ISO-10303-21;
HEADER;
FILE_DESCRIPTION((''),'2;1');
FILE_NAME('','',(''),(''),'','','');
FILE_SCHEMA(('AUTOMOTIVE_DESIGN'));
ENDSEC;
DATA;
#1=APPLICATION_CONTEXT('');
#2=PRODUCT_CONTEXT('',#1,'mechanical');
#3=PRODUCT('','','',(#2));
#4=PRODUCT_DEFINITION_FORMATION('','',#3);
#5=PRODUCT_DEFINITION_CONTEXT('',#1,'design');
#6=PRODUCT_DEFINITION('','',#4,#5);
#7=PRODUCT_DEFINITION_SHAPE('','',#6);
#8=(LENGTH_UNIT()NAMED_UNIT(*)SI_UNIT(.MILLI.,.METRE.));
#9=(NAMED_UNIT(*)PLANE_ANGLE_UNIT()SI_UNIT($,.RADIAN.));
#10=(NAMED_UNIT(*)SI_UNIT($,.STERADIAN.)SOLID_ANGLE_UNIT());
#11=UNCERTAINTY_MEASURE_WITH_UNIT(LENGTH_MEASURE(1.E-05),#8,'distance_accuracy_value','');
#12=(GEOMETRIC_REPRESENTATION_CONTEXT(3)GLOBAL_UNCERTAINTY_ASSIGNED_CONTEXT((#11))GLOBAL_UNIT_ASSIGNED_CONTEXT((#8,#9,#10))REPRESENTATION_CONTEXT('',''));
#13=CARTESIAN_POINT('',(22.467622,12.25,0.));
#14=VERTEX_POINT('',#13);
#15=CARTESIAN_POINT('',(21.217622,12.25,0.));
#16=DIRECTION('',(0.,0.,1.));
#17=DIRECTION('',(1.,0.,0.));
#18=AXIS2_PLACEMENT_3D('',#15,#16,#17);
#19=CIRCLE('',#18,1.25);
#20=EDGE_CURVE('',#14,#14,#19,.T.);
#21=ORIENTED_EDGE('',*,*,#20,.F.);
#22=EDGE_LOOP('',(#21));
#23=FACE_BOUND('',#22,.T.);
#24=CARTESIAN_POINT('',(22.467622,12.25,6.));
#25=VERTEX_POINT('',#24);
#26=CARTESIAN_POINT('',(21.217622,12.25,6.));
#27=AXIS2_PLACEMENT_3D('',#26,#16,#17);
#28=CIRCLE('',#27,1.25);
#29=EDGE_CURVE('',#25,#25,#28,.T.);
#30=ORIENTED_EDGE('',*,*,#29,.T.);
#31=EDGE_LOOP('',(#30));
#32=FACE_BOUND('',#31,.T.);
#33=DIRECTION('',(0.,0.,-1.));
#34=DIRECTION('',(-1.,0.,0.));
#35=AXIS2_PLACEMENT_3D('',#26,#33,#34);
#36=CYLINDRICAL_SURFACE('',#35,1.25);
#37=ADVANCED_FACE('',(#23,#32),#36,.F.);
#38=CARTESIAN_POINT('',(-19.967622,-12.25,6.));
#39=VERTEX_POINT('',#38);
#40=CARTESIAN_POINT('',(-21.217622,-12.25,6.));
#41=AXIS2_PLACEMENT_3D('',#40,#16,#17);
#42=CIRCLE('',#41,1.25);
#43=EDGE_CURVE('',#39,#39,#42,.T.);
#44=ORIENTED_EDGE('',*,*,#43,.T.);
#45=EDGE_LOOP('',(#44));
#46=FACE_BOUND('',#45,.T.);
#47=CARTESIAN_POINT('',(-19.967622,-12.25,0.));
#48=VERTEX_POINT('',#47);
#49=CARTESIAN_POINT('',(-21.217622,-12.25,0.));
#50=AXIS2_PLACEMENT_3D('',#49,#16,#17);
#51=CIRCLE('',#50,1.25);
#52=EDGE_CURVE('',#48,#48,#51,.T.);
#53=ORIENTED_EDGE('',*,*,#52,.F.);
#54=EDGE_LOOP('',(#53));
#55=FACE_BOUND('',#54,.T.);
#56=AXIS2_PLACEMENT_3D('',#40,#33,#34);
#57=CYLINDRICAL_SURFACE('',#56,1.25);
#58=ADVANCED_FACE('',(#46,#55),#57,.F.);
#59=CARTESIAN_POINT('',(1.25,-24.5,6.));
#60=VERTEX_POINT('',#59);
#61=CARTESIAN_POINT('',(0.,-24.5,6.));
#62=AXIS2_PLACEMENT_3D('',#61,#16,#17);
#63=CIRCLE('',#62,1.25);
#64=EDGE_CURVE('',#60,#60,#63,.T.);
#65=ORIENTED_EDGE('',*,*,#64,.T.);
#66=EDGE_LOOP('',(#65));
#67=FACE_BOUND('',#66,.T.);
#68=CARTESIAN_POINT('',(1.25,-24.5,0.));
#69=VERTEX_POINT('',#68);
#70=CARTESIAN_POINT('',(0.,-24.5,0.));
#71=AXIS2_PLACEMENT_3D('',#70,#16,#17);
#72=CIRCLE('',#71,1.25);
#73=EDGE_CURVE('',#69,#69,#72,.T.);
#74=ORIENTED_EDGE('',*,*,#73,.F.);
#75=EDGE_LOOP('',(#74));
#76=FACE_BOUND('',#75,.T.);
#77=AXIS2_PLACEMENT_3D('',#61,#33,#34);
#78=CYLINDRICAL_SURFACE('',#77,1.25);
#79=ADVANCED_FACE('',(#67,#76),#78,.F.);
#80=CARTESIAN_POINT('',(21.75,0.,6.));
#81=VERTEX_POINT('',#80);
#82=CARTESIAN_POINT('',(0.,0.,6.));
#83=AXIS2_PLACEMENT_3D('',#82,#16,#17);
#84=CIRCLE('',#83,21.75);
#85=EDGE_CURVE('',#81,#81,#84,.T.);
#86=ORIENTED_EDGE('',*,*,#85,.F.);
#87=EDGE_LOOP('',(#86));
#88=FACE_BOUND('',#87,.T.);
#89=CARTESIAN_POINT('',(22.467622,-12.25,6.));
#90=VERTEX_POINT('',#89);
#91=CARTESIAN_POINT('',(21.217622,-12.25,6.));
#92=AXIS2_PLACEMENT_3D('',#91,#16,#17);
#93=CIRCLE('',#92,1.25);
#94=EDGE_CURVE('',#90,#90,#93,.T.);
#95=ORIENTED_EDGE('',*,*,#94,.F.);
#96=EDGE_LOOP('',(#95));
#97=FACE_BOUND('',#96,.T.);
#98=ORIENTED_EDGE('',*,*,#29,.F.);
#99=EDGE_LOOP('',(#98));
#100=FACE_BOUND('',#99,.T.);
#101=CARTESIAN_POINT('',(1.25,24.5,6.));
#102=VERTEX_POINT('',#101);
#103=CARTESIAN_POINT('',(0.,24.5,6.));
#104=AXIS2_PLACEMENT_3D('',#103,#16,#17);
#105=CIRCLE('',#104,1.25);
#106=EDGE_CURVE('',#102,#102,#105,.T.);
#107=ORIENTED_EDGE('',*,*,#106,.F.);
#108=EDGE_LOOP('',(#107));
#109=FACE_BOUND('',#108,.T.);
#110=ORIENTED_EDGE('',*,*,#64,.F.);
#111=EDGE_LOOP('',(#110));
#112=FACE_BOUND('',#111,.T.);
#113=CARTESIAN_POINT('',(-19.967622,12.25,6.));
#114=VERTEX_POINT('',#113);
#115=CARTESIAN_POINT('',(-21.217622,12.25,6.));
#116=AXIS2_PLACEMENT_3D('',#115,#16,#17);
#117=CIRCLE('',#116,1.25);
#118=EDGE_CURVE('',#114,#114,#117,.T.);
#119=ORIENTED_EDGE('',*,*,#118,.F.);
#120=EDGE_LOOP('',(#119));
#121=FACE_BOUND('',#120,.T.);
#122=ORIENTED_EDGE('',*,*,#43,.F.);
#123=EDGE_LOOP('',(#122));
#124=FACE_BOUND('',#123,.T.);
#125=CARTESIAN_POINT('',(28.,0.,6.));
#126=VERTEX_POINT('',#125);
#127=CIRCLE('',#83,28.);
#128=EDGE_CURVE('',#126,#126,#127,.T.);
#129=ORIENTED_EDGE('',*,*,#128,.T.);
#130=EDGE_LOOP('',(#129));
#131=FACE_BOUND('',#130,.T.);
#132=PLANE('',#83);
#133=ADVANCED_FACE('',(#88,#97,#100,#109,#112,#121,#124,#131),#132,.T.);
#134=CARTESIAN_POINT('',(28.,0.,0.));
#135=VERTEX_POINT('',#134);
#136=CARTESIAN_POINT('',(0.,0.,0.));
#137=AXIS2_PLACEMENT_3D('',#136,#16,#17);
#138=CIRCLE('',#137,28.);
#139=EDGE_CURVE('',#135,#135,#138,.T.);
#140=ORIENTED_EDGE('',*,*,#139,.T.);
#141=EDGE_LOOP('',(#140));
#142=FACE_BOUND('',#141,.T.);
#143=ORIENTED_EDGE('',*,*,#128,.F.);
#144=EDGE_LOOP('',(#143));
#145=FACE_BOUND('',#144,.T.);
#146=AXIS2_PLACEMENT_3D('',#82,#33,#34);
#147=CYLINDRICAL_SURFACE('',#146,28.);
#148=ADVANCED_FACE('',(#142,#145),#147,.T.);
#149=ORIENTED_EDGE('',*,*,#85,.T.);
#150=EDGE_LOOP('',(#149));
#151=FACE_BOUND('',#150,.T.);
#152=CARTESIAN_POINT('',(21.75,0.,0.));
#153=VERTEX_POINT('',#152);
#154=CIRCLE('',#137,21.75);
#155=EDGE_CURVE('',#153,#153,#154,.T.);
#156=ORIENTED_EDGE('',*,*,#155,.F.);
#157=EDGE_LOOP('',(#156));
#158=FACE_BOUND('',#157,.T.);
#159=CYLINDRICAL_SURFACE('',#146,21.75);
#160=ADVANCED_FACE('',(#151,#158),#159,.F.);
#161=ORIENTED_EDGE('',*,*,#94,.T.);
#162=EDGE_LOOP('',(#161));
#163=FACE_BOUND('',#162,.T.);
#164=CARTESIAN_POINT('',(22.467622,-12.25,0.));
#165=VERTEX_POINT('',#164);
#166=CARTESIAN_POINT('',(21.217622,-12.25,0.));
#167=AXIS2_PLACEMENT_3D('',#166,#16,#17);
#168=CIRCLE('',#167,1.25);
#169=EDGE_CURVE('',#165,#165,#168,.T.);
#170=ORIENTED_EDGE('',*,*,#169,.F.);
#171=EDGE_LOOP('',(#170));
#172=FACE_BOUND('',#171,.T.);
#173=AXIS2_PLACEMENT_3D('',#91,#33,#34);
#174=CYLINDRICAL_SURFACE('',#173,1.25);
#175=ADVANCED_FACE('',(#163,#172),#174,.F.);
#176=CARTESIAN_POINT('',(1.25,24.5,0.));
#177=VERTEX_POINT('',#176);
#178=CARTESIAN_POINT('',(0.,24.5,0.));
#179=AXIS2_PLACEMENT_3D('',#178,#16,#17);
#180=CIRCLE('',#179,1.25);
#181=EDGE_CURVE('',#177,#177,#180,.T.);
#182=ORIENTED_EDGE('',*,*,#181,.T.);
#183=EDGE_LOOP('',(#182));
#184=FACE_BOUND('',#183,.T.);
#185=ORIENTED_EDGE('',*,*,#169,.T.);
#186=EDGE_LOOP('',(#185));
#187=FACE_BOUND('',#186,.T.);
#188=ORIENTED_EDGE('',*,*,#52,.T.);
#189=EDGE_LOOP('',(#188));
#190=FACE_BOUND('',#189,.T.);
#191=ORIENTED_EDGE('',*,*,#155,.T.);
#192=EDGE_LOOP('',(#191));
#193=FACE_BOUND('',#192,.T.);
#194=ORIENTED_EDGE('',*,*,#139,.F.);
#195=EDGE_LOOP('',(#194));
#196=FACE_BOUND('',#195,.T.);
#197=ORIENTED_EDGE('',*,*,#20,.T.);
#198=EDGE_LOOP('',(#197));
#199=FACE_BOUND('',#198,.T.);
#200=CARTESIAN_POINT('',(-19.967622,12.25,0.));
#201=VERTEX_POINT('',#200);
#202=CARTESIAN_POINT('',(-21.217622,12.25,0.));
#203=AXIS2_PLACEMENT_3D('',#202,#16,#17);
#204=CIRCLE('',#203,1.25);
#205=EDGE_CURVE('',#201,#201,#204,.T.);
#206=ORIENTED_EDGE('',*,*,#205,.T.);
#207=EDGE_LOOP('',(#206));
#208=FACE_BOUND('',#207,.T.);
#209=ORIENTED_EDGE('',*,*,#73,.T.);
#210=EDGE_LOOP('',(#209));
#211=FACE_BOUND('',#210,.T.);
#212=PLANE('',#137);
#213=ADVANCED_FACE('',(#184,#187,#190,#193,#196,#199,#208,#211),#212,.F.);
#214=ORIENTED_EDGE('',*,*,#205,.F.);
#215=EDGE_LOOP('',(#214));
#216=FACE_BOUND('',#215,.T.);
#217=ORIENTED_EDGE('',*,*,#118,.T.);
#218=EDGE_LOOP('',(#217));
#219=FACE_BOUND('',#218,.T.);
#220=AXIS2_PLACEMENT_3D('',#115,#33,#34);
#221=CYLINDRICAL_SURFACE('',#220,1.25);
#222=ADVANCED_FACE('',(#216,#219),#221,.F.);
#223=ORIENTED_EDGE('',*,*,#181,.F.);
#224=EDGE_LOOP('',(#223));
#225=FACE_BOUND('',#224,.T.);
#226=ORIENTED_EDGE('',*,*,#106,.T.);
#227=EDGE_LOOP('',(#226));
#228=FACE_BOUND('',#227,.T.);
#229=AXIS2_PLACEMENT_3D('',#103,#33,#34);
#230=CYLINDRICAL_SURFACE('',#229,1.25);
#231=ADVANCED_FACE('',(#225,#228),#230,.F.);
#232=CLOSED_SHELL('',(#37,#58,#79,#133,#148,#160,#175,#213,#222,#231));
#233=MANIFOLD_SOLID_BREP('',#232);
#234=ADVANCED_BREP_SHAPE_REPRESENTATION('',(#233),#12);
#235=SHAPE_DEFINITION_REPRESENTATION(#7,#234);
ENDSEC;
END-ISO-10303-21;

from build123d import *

# Parameters (mm, degrees)
SKETCH_1_R      = 28
SKETCH_1_R_2    = 1.25
SKETCH_1_R_3    = 21.75
EXTRUDE_1_DEPTH = 6


with BuildPart() as part:
    # 草图1 → 凸台-拉伸1 (new body)
    with BuildSketch(Plane.XY):
        Circle(SKETCH_1_R)
        with Locations((0, 24.5)):
            Circle(SKETCH_1_R_2, mode=Mode.SUBTRACT)
        Circle(SKETCH_1_R_3, mode=Mode.SUBTRACT)
        with Locations((21.217622393, 12.25)):
            Circle(SKETCH_1_R_2, mode=Mode.SUBTRACT)
        with Locations((21.217622393, -12.25)):
            Circle(SKETCH_1_R_2, mode=Mode.SUBTRACT)
        with Locations((0, -24.5)):
            Circle(SKETCH_1_R_2, mode=Mode.SUBTRACT)
        with Locations((-21.217622393, -12.25)):
            Circle(SKETCH_1_R_2, mode=Mode.SUBTRACT)
        with Locations((-21.217622393, 12.25)):
            Circle(SKETCH_1_R_2, mode=Mode.SUBTRACT)
    extrude(amount=EXTRUDE_1_DEPTH)


solid = part.part
